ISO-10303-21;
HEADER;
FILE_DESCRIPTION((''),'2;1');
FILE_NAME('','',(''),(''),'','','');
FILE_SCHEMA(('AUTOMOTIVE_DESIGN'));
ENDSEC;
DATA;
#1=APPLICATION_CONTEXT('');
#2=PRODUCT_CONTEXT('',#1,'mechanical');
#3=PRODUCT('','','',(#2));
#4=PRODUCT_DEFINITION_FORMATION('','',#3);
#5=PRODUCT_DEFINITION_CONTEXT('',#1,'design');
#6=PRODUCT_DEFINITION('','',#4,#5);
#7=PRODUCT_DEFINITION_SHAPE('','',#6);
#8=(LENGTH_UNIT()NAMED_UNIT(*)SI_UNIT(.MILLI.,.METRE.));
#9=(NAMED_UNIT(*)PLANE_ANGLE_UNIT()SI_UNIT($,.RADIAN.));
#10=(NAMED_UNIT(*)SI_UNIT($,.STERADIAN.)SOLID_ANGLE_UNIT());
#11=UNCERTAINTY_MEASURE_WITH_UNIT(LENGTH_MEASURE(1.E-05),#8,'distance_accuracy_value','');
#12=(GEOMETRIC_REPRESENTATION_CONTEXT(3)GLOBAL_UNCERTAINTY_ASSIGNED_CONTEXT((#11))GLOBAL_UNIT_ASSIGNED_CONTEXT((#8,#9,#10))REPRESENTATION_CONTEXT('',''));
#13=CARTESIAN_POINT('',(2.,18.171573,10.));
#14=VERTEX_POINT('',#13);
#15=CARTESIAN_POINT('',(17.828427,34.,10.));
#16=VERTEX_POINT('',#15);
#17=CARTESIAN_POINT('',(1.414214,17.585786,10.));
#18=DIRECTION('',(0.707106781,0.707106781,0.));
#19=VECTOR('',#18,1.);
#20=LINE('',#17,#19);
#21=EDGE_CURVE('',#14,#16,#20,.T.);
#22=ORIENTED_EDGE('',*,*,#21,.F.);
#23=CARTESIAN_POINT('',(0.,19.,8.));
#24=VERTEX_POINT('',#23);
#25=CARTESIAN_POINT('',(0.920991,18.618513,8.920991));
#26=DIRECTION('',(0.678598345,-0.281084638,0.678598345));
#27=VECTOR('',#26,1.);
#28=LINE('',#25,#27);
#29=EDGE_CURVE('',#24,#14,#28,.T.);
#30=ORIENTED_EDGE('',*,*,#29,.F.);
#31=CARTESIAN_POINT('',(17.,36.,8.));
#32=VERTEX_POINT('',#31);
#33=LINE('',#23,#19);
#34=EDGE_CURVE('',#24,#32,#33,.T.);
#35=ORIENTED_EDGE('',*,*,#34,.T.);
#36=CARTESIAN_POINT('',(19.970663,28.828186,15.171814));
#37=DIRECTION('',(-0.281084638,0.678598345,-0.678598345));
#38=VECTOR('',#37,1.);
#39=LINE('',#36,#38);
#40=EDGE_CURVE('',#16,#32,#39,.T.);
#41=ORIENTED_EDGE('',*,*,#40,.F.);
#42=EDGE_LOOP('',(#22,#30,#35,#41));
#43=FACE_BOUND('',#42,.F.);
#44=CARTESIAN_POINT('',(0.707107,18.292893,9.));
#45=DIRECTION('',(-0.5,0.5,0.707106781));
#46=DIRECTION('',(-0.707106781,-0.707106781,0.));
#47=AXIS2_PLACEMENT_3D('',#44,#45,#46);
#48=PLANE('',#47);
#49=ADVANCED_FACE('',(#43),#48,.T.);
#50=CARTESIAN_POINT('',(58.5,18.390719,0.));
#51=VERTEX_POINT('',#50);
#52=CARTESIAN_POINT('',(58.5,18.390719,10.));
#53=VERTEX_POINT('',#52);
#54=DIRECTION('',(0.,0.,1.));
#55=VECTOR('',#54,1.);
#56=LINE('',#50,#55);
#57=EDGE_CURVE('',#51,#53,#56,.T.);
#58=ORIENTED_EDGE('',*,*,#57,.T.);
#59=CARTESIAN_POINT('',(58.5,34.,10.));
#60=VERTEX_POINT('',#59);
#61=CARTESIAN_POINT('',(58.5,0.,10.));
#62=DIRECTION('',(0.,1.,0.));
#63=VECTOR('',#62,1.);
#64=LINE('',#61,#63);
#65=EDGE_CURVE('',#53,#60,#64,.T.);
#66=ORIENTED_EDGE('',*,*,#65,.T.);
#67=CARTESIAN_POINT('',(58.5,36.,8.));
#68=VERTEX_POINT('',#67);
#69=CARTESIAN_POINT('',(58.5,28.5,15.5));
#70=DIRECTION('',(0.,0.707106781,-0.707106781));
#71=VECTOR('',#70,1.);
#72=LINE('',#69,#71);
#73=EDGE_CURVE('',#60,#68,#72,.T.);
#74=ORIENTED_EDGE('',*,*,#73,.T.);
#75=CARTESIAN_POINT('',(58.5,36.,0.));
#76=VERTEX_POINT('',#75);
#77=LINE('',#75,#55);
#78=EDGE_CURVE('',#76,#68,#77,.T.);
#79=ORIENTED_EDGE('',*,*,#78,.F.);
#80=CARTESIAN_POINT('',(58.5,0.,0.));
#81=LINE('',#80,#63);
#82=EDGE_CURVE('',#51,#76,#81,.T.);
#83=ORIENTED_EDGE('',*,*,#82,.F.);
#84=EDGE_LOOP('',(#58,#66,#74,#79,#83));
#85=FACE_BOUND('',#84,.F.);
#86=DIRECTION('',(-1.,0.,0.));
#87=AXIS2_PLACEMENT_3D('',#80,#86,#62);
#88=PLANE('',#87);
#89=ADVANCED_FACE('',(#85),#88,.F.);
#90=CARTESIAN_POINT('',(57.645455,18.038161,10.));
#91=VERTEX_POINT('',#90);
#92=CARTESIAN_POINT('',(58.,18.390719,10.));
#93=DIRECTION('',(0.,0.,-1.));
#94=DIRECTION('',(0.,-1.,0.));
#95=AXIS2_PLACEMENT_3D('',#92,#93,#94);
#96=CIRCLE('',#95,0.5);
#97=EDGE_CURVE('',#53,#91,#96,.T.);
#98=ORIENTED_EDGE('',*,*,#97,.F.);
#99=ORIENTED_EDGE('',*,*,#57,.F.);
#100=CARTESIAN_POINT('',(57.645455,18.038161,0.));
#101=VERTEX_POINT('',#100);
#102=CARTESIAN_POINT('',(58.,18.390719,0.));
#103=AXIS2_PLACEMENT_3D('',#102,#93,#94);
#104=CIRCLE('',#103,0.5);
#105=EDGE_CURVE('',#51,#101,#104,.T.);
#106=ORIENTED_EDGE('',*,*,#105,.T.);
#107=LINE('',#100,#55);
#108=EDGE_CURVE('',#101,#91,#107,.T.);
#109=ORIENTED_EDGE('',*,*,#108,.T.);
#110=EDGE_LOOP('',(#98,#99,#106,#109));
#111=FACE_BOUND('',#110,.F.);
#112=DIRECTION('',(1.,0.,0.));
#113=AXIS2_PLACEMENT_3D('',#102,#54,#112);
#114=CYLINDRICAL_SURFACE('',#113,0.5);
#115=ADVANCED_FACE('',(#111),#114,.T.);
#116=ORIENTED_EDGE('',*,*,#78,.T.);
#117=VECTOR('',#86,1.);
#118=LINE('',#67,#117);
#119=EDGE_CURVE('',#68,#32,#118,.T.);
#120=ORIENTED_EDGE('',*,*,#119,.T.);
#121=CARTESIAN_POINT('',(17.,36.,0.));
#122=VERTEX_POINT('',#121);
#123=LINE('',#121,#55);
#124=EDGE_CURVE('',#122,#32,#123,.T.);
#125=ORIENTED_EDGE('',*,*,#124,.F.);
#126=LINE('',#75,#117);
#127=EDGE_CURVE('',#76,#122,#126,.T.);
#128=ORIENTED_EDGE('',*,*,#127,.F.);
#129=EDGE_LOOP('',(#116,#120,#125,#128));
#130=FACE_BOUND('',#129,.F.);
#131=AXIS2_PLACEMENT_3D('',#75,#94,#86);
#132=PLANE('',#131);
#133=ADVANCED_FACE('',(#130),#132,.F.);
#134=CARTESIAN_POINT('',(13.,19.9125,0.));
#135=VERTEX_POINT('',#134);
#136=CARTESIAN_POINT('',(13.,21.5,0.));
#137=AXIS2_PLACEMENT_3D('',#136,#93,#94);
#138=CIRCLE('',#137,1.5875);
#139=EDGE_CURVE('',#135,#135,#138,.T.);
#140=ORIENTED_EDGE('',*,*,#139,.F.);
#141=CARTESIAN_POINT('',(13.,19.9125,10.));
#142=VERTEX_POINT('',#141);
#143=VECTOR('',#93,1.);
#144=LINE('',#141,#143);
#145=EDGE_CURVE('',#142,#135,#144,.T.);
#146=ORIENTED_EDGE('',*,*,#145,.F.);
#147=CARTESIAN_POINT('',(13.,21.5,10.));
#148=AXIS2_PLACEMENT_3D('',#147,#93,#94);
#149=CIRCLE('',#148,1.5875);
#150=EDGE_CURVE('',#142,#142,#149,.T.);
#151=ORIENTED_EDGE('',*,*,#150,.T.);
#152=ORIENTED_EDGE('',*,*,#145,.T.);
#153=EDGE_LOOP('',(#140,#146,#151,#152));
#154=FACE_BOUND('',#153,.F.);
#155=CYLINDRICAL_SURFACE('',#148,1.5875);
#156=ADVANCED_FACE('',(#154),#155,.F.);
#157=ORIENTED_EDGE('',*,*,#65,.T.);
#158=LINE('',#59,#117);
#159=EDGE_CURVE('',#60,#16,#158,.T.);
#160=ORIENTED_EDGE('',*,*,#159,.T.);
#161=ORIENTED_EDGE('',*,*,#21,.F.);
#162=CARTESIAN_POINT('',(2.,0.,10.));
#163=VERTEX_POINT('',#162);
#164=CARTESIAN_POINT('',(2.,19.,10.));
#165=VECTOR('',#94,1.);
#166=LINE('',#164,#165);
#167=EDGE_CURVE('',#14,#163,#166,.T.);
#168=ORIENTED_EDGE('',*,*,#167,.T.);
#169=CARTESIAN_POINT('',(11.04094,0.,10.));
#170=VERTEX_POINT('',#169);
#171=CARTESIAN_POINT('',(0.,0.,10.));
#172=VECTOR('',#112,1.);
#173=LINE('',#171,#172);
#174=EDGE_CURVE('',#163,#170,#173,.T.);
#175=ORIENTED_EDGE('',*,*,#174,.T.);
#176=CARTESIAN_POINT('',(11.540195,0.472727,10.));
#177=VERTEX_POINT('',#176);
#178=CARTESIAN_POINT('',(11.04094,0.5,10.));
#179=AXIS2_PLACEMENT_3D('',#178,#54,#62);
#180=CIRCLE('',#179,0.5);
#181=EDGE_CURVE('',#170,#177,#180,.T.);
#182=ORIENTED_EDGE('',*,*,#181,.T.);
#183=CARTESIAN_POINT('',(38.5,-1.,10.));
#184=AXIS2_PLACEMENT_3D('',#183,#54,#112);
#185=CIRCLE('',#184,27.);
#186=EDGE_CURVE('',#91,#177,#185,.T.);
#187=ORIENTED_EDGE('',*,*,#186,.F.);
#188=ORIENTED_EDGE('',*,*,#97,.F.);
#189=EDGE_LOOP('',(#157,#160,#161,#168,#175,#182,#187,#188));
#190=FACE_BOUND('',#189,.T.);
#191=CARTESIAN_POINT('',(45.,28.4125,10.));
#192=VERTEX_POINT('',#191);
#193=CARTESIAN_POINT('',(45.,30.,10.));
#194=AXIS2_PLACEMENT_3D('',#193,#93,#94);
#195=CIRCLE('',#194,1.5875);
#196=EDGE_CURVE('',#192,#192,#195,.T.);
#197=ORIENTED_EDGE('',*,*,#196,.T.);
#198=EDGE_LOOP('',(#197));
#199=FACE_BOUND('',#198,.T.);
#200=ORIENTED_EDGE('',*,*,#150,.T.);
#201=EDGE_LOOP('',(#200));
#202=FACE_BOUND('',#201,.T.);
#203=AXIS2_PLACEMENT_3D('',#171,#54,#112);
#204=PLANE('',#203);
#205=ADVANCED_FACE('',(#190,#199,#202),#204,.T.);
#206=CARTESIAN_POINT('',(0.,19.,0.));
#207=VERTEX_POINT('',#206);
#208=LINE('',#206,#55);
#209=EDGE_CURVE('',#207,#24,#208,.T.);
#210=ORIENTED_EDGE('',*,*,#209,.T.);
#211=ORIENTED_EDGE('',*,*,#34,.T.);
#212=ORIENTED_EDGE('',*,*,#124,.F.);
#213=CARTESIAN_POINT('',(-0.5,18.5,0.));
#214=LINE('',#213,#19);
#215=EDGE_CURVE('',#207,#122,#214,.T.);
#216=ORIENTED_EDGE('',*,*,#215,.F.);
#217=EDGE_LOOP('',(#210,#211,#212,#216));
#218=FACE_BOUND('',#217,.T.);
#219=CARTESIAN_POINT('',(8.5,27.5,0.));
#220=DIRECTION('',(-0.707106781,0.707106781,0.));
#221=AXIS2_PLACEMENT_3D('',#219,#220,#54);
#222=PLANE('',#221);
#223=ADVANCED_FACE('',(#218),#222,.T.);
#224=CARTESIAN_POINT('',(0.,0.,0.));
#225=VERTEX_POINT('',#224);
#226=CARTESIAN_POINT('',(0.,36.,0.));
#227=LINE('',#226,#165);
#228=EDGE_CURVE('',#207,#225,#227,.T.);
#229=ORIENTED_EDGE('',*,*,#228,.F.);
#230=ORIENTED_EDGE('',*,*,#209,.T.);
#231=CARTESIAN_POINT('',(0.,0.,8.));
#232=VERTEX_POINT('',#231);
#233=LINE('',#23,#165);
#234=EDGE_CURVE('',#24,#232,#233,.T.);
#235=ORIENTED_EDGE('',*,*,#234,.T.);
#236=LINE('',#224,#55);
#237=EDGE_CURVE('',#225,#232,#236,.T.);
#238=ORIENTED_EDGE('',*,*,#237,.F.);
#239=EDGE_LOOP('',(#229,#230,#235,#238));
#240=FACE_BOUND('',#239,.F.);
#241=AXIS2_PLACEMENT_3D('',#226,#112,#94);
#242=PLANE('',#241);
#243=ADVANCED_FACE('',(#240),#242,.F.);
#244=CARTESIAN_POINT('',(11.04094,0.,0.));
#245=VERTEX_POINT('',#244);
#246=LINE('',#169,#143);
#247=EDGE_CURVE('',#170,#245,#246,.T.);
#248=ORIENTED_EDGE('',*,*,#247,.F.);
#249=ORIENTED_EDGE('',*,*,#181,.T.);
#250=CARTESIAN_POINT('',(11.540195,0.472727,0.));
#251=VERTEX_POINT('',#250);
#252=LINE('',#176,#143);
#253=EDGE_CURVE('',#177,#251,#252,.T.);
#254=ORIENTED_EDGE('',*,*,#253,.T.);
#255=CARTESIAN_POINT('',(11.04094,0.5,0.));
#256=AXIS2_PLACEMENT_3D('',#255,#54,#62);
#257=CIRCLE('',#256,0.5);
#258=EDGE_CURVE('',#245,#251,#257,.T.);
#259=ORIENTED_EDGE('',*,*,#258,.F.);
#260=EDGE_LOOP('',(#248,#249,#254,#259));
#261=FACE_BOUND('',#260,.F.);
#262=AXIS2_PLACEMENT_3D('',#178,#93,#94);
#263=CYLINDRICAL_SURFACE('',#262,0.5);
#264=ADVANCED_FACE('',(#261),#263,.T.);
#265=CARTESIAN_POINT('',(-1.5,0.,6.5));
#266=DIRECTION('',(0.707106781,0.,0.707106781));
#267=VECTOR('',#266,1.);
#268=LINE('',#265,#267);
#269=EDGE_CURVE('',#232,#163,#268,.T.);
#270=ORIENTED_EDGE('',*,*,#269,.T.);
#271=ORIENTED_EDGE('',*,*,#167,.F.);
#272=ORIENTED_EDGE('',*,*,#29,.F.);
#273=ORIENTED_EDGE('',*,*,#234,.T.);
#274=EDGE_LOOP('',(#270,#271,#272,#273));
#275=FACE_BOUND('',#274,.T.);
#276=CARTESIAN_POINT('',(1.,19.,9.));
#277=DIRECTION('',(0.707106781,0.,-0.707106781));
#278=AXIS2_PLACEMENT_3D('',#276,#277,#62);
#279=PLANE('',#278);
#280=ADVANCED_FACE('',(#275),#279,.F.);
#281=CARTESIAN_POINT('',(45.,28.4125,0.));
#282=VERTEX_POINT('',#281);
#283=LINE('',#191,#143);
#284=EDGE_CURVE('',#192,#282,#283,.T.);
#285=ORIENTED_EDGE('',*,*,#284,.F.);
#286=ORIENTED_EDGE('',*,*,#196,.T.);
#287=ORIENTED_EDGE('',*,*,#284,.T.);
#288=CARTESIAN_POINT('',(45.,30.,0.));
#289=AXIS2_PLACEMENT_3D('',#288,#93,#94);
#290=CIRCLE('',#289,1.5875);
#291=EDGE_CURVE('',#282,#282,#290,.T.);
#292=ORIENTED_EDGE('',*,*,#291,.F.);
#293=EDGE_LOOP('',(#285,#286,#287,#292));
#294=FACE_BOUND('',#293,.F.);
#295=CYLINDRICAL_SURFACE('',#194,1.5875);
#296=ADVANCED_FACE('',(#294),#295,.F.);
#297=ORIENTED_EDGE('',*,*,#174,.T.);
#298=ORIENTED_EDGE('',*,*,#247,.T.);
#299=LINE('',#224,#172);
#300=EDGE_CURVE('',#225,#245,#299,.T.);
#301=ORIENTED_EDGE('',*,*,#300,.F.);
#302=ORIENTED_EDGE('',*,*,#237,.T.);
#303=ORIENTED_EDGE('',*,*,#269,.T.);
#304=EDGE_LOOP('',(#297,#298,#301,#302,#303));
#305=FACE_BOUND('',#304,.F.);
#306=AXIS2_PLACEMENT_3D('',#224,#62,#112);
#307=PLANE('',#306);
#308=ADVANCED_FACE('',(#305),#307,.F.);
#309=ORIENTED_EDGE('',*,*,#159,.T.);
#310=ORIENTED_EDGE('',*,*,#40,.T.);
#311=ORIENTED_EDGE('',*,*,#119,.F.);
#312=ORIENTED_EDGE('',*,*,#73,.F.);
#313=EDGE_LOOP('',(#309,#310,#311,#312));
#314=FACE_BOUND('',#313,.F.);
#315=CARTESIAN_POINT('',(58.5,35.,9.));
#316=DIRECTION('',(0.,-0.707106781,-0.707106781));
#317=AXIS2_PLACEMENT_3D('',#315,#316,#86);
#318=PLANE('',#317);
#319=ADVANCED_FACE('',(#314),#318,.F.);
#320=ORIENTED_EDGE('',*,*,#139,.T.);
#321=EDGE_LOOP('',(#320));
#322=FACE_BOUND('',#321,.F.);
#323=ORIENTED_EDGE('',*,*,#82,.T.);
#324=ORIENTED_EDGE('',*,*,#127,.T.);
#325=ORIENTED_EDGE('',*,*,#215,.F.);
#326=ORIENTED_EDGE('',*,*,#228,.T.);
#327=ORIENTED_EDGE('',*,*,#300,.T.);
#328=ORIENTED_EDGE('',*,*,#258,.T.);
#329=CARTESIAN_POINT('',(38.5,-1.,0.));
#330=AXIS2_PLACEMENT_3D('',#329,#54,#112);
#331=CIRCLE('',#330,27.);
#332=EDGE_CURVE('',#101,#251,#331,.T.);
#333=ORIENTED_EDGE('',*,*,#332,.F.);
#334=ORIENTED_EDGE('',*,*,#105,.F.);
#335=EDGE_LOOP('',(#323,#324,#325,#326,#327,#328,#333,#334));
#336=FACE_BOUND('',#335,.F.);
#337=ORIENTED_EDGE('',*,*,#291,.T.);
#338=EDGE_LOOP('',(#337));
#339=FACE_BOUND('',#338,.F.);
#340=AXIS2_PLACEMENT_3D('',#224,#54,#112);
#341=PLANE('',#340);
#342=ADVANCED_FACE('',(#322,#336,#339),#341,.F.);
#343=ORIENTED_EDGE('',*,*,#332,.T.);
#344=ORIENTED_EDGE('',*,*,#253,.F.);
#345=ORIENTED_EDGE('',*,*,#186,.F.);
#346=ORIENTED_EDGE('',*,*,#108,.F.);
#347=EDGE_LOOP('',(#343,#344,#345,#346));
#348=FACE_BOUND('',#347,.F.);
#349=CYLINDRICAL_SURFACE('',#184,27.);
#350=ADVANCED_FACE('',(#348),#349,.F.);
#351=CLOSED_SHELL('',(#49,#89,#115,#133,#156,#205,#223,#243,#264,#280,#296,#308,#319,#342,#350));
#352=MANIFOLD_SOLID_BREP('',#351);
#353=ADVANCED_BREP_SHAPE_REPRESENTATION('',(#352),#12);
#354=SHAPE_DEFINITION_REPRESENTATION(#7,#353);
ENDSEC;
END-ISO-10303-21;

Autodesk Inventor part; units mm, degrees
ref_plane "YZ Plane" through (0, 0, 0) normal (1, 0, 0) x (0, 1, 0)
ref_plane "XZ Plane" through (0, 0, 0) normal (0, 1, 0) x (-1, 0, 0)
ref_plane "XY Plane" through (0, 0, 0) normal (0, 0, 1) x (1, 0, 0)
sketch "Sketch1" plane through (0, 0, 0) normal (0, 0, 1) x (1, 0, 0)
  line L0 (0, 0) -> (58.5, 0)
  line L1 (58.5, 0) -> (58.5, 36)
  line L2 (58.5, 36) -> (0, 36)
  line L3 (0, 36) -> (0, 0)
  dimension "d0" = 58.5
  dimension "d1" = 36
extrude "Extrusion1" add sketch "Sketch1" along normal blind 10
sketch "Sketch2" plane through (0, 0, 10) normal (0, 0, 1) x (1, 0, 0)
  line L0 (0, 0) -> (0, 36) projected
  line L1 (58.5, 0) -> (0, 0) projected
  circle A0 centre (38.5, -1) radius 27
  dimension "d6" = 27
  dimension "d7" = 1
  dimension "d8" = 11.5
extrude "Extrusion2" cut sketch "Sketch2" against normal blind 10
sketch "Sketch3" plane through (0, 0, 10) normal (0, 0, 1) x (1, 0, 0)
  line L0 (58.5, 36) -> (58.5, 17.1384) projected
  line L1 (11.5185, 0) -> (0, 0) projected
  line L2 (0, 36) -> (58.5, 36) projected
  point P0 (13, 21.5)
  point P1 (45, 30)
  dimension "d11" = 32
  dimension "d12" = 13.5
  dimension "d13" = 21.5
  dimension "d28" = 6
hole "Hole1" at (13, 21.5, 10) at (45, 30, 10) direction (0, 0, -1) diameter 3.175 depth 10 tip angle 118
chamfer "Chamfer1" distance 17 angle 45 1 edges at (0, 36, 5)
chamfer "Chamfer2" distance 2 angle 45 3 edges at (37.75, 36, 10) (8.5, 27.5, 10) (0, 9.5, 10)
fillet "Fillet1" radius 0.5 2 edges at (58.5, 17.1384, 5) (11.5185, 0, 5)
properties part number "PÁRA-LAMAS DIANTEIRO-ESQ" material "Carbon Steel"
